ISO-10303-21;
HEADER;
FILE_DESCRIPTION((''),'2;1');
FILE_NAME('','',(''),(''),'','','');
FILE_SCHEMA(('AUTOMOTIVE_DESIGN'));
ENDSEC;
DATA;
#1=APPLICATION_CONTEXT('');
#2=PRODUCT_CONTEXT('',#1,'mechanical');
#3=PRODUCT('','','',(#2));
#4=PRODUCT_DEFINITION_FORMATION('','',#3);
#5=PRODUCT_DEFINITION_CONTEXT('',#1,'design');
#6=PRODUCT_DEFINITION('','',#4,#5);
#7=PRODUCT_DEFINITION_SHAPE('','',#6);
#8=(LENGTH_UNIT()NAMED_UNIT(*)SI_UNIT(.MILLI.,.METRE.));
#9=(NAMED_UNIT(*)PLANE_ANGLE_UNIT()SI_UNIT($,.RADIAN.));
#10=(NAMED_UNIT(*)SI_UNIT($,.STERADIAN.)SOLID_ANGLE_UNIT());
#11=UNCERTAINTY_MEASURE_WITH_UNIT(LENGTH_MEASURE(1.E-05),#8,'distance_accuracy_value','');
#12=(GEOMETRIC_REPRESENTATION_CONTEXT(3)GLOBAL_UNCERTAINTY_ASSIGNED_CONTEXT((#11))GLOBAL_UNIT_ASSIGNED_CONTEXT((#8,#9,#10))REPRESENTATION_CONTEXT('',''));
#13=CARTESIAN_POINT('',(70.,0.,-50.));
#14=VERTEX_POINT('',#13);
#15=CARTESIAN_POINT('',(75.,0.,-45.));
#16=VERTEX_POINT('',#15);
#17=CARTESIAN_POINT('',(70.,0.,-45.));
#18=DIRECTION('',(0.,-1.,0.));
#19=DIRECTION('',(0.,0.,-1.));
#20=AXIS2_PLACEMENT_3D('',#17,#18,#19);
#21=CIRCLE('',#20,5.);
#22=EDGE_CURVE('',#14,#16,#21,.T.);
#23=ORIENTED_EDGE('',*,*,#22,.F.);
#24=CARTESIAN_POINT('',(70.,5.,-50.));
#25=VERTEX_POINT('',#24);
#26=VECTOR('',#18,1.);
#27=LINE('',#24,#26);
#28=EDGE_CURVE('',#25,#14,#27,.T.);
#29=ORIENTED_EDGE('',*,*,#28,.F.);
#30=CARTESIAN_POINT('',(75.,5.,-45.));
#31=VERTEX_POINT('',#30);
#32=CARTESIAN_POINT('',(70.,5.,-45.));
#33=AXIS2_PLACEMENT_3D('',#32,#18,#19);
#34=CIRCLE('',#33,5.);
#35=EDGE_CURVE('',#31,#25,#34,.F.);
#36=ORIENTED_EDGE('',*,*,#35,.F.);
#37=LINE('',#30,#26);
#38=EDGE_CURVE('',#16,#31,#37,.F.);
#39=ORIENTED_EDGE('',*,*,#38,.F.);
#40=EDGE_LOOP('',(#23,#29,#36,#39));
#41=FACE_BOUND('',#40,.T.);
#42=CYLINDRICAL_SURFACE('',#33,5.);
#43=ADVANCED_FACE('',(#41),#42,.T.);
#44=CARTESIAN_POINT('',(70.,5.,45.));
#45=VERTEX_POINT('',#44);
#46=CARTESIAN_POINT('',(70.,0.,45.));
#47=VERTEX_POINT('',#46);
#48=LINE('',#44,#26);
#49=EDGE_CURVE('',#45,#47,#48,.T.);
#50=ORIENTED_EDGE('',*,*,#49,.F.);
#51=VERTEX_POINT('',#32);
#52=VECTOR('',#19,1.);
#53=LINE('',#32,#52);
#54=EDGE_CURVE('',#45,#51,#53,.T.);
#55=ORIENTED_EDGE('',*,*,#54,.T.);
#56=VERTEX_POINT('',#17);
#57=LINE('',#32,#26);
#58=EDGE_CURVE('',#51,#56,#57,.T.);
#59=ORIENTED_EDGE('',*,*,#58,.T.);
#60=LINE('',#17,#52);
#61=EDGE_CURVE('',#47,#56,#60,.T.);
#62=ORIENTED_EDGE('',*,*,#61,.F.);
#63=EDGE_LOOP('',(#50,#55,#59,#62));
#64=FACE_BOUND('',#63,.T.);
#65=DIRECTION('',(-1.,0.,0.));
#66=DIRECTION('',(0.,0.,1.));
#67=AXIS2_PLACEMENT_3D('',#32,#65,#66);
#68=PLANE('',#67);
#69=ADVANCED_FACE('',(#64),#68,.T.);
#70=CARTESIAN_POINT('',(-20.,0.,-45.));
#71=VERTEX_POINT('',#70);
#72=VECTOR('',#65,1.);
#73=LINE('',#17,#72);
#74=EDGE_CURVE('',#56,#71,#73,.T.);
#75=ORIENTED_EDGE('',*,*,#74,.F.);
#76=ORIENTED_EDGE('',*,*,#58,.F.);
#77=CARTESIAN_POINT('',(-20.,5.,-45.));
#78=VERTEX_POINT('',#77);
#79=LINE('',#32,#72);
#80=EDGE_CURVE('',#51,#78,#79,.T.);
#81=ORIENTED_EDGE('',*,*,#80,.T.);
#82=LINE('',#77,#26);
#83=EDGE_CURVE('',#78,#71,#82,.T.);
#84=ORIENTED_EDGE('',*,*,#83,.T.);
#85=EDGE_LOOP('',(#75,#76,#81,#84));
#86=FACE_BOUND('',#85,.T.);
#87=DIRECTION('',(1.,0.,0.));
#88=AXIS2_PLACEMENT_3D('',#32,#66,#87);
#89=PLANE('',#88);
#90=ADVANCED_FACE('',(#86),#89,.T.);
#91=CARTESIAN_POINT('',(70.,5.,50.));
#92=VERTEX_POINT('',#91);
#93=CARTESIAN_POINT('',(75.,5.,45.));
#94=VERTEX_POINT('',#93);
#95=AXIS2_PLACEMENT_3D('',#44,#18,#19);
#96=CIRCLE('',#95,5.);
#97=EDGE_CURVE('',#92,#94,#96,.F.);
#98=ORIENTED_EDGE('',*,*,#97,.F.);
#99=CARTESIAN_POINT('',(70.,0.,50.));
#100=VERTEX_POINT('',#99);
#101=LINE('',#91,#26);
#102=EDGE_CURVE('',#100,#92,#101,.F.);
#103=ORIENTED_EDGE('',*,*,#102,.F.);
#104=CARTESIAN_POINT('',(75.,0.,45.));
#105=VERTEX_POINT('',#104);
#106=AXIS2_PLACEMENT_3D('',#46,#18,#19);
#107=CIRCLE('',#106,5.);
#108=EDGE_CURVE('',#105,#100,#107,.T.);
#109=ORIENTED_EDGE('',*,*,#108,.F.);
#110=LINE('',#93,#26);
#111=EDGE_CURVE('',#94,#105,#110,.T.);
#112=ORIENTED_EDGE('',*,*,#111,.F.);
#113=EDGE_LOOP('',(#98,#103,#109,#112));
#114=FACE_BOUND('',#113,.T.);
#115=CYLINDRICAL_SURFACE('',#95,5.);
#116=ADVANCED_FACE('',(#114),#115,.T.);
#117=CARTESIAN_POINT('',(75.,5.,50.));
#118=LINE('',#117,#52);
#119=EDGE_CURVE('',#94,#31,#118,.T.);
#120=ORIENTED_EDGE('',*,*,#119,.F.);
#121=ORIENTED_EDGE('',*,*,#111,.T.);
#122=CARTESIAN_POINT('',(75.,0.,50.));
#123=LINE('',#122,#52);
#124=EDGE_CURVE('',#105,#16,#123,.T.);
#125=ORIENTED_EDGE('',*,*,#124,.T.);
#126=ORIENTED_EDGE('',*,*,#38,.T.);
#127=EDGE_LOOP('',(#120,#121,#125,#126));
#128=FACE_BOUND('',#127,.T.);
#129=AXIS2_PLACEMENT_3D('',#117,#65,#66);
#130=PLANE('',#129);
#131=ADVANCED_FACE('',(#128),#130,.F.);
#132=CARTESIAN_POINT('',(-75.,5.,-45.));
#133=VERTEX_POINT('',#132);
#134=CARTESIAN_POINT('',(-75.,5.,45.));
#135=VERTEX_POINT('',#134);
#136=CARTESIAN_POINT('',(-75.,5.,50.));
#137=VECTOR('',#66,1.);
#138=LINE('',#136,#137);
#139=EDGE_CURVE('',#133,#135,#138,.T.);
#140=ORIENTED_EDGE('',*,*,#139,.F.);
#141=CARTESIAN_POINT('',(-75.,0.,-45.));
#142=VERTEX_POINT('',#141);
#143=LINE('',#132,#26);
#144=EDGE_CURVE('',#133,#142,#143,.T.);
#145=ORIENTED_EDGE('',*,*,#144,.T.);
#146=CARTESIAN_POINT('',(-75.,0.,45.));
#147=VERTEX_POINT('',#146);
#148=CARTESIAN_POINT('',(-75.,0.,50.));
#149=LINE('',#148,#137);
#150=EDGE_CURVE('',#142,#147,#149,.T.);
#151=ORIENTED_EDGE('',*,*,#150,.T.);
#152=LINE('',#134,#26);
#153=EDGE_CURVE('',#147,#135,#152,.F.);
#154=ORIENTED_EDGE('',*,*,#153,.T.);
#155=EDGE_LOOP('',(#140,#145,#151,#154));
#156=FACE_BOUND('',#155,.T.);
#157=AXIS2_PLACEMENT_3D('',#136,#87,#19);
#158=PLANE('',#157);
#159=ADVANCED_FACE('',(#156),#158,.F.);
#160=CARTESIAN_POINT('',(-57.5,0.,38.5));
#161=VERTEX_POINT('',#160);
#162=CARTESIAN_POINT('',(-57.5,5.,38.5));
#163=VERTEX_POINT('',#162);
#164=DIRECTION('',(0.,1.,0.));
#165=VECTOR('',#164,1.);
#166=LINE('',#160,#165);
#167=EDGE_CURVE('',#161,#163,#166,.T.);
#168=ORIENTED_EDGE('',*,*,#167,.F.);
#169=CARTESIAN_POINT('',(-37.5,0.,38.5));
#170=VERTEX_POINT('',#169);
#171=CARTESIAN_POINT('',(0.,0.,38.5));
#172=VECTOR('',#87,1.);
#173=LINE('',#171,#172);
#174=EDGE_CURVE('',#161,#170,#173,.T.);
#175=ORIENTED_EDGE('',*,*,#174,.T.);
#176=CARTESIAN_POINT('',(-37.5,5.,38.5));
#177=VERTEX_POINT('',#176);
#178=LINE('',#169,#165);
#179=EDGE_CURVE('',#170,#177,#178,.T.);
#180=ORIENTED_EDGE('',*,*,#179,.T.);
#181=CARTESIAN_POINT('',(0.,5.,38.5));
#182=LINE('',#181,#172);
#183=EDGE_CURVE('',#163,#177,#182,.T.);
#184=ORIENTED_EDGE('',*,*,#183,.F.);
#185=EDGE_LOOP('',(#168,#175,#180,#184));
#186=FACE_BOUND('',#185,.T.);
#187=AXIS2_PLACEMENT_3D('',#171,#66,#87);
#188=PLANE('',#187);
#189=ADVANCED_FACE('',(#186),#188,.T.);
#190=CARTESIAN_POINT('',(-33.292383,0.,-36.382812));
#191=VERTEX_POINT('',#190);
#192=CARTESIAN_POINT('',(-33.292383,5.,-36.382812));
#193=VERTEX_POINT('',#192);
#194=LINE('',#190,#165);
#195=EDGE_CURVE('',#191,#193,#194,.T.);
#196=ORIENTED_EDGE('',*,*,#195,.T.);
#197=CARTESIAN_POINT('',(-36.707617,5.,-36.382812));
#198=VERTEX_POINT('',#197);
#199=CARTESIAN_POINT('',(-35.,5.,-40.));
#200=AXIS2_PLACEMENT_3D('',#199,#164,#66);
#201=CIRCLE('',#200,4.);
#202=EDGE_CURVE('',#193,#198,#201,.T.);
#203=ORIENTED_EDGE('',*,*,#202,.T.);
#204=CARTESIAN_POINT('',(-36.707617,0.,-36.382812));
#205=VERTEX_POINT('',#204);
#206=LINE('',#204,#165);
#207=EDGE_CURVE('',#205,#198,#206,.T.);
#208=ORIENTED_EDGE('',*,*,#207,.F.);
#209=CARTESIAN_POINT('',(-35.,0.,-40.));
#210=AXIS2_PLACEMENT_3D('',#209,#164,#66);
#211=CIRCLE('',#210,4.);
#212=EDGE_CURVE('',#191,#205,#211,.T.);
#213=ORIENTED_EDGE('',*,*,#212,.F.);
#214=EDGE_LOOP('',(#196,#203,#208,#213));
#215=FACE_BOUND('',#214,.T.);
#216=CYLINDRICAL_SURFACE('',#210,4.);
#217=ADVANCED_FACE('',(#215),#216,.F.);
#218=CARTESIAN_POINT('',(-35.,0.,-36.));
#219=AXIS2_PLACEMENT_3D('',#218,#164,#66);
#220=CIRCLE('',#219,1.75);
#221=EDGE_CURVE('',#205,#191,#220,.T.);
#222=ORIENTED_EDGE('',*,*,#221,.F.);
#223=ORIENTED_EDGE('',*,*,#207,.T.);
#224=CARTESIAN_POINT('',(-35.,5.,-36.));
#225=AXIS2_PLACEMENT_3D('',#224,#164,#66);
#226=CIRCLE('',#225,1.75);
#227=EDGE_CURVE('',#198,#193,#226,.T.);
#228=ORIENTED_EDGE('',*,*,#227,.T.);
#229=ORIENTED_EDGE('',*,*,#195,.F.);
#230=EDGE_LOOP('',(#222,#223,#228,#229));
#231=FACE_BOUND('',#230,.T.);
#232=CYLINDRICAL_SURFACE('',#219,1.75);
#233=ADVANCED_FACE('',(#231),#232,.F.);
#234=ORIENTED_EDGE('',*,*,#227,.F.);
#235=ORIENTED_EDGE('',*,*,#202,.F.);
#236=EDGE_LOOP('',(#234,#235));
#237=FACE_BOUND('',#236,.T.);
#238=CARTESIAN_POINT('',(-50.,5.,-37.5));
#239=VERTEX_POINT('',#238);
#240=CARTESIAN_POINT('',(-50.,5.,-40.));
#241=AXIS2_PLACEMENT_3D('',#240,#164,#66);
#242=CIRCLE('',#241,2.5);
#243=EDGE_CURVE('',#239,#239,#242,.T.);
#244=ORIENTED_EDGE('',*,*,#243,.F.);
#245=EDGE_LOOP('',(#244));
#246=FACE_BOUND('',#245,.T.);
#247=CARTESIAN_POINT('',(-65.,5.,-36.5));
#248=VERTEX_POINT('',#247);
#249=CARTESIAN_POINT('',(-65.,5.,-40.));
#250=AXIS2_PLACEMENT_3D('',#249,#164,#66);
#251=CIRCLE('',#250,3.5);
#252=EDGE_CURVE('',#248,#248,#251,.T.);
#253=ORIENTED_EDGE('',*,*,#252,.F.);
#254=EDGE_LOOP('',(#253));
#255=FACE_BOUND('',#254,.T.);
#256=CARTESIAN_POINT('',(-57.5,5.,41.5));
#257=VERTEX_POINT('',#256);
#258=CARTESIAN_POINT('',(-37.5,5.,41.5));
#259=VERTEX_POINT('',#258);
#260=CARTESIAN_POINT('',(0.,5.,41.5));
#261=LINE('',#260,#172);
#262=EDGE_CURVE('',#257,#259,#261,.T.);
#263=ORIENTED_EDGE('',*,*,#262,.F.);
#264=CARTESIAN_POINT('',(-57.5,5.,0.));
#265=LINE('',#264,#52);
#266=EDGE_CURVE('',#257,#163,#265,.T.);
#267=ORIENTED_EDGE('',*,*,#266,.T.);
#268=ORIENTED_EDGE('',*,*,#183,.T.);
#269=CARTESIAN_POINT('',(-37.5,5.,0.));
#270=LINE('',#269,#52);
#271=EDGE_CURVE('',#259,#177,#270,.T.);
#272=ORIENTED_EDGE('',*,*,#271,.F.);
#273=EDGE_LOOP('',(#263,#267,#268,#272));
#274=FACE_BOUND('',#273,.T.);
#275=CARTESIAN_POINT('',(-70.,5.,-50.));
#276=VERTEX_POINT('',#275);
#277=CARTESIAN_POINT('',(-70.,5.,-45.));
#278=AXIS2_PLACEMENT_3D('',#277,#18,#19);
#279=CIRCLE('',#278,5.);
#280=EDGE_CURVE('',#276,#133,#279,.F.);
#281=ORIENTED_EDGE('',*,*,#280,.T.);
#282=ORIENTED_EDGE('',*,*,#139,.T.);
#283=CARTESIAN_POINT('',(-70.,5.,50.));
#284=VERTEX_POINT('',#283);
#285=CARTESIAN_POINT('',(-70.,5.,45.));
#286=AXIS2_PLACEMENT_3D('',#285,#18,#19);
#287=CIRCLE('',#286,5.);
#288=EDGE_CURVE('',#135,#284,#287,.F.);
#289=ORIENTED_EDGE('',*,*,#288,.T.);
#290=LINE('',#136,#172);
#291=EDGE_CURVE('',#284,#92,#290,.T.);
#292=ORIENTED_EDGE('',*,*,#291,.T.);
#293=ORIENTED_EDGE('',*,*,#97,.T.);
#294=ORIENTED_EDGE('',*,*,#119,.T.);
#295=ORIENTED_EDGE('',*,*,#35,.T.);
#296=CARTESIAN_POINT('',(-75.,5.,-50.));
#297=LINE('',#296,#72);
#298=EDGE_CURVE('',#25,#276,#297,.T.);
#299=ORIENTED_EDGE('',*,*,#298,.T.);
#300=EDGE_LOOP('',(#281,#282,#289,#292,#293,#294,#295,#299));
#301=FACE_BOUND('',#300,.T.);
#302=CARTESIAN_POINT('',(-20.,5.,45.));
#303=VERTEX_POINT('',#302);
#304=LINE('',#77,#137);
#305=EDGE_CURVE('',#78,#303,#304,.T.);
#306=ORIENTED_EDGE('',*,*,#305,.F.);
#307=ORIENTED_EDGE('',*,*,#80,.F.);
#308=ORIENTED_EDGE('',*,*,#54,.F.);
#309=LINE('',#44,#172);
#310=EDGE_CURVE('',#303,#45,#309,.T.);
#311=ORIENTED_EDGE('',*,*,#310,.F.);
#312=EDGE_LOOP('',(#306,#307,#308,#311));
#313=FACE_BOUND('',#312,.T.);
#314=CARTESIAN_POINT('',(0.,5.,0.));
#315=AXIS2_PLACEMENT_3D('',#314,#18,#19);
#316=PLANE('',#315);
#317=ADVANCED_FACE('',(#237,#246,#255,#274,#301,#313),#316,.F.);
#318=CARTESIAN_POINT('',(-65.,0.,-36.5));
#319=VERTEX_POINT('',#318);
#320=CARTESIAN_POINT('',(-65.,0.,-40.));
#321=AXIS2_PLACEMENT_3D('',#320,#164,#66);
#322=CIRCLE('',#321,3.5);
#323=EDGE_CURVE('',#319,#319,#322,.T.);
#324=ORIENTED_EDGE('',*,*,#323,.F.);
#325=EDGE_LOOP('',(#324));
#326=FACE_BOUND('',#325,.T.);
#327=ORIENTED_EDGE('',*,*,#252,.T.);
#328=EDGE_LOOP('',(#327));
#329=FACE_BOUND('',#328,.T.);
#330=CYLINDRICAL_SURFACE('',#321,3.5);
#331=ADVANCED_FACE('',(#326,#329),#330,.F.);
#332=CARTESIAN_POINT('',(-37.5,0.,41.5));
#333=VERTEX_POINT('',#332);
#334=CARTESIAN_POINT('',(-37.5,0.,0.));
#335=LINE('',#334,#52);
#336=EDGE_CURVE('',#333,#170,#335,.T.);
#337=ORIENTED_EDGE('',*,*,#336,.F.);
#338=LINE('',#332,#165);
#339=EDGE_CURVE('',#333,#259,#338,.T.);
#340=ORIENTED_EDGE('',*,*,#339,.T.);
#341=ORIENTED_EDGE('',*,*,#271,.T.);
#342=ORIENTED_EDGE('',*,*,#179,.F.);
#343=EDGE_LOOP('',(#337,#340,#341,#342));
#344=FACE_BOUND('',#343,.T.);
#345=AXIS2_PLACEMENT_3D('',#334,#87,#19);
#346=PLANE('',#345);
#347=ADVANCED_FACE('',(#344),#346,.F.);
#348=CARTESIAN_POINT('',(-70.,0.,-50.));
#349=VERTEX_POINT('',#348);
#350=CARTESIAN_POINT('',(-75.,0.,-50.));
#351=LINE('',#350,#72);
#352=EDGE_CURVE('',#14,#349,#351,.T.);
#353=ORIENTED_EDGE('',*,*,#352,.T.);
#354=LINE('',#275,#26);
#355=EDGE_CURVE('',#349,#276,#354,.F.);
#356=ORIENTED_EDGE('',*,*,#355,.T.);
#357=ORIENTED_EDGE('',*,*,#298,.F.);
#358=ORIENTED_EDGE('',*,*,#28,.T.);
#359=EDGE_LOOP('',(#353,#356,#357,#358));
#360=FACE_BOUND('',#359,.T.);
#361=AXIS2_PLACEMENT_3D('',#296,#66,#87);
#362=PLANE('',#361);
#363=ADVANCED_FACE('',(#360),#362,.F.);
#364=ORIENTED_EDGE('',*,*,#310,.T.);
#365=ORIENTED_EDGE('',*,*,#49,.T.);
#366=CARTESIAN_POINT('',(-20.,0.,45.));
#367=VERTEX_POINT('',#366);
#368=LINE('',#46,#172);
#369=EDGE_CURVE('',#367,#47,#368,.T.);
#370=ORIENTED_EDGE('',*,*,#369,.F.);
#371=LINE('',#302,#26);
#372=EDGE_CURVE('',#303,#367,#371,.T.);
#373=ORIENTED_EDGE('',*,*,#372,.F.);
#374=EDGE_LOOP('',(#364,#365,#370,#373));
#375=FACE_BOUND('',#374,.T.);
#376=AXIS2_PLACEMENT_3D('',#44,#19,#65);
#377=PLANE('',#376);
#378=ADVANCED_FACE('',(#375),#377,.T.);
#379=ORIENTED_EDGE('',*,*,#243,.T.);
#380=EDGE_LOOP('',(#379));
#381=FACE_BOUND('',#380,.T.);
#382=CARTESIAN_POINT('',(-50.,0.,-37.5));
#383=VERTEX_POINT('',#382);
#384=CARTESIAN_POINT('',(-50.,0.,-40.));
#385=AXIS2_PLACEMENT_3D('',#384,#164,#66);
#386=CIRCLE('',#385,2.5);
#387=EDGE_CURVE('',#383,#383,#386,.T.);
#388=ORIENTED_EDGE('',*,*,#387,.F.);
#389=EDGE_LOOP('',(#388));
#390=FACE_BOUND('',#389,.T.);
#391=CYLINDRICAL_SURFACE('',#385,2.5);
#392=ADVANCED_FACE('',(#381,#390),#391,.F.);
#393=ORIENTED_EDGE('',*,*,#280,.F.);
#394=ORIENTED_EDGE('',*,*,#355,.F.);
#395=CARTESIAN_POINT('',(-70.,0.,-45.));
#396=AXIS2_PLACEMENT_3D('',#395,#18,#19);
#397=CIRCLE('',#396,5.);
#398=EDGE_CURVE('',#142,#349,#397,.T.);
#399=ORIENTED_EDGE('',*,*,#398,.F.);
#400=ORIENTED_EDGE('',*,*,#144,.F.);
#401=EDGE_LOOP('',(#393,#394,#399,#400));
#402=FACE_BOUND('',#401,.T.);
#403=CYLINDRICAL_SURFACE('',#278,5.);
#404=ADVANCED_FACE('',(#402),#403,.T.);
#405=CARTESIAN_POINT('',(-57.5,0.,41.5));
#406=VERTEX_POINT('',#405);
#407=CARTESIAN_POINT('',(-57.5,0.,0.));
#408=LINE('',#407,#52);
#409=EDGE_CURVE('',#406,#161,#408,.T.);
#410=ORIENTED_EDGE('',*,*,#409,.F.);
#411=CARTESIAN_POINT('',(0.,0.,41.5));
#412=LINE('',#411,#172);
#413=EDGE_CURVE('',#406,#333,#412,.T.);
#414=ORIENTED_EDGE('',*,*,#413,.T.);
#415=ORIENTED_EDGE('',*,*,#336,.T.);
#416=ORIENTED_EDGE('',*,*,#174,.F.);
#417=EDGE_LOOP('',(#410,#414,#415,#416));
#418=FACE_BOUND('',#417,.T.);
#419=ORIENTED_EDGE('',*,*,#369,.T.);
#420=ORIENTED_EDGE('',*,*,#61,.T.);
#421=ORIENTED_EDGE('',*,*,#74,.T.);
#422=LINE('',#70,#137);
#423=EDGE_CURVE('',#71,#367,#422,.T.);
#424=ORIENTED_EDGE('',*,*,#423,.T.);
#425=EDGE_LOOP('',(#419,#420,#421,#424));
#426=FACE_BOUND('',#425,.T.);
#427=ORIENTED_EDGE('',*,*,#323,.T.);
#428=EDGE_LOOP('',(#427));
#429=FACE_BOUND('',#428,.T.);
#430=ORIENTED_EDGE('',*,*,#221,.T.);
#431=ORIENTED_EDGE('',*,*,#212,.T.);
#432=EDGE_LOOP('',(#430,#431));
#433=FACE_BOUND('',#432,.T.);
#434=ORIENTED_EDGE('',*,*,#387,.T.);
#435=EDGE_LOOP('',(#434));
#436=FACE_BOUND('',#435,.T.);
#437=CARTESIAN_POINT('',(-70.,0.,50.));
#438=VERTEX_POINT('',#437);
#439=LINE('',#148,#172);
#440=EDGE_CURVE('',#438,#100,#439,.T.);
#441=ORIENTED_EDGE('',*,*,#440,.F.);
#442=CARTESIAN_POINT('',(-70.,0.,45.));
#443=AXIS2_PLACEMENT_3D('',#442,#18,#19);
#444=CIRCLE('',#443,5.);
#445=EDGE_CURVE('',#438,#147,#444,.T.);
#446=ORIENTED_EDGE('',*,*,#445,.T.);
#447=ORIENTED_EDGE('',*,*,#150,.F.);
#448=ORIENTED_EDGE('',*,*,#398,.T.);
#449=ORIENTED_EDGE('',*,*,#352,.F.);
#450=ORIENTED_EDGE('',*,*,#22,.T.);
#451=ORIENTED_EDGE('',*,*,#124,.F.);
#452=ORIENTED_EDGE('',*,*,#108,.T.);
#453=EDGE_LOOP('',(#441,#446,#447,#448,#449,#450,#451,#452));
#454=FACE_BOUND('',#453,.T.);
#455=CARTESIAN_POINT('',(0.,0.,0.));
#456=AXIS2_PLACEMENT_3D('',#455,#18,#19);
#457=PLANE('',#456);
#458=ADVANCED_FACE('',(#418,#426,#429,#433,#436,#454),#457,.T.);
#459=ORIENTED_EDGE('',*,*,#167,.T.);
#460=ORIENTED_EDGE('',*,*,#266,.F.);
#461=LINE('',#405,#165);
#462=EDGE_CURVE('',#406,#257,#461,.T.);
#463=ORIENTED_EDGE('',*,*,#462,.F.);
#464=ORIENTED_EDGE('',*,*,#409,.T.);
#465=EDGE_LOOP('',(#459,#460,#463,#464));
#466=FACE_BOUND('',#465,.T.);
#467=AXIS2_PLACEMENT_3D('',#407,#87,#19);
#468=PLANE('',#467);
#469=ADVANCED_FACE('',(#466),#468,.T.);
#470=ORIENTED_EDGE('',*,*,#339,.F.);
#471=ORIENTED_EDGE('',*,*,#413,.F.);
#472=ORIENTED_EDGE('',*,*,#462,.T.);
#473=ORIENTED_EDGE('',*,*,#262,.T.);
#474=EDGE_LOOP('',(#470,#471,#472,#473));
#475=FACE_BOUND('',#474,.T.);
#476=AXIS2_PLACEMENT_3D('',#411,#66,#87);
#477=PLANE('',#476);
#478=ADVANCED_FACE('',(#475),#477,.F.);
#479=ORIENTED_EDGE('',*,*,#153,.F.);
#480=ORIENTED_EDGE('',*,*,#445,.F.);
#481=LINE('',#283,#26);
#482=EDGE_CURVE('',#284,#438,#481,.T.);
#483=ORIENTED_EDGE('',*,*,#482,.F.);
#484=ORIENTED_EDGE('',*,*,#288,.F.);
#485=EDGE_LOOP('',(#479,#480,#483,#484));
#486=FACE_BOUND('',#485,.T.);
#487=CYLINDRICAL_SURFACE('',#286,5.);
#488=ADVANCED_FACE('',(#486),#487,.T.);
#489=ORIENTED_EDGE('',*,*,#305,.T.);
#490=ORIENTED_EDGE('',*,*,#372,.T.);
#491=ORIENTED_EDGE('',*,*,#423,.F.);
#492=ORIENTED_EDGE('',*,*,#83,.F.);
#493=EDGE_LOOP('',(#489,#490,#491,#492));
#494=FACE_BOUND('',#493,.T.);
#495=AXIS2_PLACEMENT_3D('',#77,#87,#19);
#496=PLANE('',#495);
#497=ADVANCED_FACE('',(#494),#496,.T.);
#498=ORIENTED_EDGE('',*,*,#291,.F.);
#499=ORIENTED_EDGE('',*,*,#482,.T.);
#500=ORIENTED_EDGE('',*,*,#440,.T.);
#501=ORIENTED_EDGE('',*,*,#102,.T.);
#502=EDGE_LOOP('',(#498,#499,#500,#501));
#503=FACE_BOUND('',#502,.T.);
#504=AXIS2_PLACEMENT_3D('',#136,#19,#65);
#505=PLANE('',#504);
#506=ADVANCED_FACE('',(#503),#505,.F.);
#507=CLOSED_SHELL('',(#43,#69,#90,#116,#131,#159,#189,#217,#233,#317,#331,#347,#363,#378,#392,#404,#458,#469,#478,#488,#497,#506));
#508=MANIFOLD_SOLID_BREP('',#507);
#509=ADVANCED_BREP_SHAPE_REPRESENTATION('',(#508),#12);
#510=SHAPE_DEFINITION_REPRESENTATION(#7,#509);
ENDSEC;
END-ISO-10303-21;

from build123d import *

# Parameters (mm, degrees)
SKETCH1_W           = 150
SKETCH1_H           = 100
SKETCH1_W_2         = 90
SKETCH1_H_2         = 90
BOSS_EXTRUDE1_DEPTH = 5
FILLET1_R           = 5
SKETCH2_R           = 3.5
SKETCH2_R_2         = 2.5
SKETCH2_R_3         = 1.75
SKETCH2_R_4         = 4
SKETCH2_W           = 20
SKETCH2_H           = 3
CUT_EXTRUDE3_DEPTH  = 5


with BuildPart() as part:
    # Sketch1 → Boss-Extrude1 (new body)
    with BuildSketch(Plane(origin=(0, 0, 0), x_dir=(1, 0, 0), z_dir=(0, 1, 0))):
        Rectangle(SKETCH1_W, SKETCH1_H)
        with Locations((25, 0)):
            Rectangle(SKETCH1_W_2, SKETCH1_H_2, mode=Mode.SUBTRACT)
    extrude(amount=BOSS_EXTRUDE1_DEPTH)

    # Fillet1
    fillet1_edges = [part.edges().sort_by_distance(p)[0] for p in [
        (75, 2.5, 50),
        (-75, 2.5, 50),
        (-75, 2.5, -50),
        (75, 2.5, -50),
    ]]
    fillet(fillet1_edges, radius=FILLET1_R)

    # Sketch2 → Cut-Extrude3 (cut)
    with BuildSketch(Plane(origin=(0, 5, 0), x_dir=(1, 0, 0), z_dir=(0, 1, 0))):
        with Locations(Location((-65, 40, 0), (0, 0, 270))):
            Circle(SKETCH2_R)
        with Locations(Location((-50, 40, 0), (0, 0, 270))):
            Circle(SKETCH2_R_2)
        with Locations((-35, 36)):
            Circle(SKETCH2_R_3)
        with Locations((-35, 40)):
            Circle(SKETCH2_R_4)
        with Locations((-47.5, -40)):
            Rectangle(SKETCH2_W, SKETCH2_H)
    extrude(amount=-CUT_EXTRUDE3_DEPTH, mode=Mode.SUBTRACT)


solid = part.part
